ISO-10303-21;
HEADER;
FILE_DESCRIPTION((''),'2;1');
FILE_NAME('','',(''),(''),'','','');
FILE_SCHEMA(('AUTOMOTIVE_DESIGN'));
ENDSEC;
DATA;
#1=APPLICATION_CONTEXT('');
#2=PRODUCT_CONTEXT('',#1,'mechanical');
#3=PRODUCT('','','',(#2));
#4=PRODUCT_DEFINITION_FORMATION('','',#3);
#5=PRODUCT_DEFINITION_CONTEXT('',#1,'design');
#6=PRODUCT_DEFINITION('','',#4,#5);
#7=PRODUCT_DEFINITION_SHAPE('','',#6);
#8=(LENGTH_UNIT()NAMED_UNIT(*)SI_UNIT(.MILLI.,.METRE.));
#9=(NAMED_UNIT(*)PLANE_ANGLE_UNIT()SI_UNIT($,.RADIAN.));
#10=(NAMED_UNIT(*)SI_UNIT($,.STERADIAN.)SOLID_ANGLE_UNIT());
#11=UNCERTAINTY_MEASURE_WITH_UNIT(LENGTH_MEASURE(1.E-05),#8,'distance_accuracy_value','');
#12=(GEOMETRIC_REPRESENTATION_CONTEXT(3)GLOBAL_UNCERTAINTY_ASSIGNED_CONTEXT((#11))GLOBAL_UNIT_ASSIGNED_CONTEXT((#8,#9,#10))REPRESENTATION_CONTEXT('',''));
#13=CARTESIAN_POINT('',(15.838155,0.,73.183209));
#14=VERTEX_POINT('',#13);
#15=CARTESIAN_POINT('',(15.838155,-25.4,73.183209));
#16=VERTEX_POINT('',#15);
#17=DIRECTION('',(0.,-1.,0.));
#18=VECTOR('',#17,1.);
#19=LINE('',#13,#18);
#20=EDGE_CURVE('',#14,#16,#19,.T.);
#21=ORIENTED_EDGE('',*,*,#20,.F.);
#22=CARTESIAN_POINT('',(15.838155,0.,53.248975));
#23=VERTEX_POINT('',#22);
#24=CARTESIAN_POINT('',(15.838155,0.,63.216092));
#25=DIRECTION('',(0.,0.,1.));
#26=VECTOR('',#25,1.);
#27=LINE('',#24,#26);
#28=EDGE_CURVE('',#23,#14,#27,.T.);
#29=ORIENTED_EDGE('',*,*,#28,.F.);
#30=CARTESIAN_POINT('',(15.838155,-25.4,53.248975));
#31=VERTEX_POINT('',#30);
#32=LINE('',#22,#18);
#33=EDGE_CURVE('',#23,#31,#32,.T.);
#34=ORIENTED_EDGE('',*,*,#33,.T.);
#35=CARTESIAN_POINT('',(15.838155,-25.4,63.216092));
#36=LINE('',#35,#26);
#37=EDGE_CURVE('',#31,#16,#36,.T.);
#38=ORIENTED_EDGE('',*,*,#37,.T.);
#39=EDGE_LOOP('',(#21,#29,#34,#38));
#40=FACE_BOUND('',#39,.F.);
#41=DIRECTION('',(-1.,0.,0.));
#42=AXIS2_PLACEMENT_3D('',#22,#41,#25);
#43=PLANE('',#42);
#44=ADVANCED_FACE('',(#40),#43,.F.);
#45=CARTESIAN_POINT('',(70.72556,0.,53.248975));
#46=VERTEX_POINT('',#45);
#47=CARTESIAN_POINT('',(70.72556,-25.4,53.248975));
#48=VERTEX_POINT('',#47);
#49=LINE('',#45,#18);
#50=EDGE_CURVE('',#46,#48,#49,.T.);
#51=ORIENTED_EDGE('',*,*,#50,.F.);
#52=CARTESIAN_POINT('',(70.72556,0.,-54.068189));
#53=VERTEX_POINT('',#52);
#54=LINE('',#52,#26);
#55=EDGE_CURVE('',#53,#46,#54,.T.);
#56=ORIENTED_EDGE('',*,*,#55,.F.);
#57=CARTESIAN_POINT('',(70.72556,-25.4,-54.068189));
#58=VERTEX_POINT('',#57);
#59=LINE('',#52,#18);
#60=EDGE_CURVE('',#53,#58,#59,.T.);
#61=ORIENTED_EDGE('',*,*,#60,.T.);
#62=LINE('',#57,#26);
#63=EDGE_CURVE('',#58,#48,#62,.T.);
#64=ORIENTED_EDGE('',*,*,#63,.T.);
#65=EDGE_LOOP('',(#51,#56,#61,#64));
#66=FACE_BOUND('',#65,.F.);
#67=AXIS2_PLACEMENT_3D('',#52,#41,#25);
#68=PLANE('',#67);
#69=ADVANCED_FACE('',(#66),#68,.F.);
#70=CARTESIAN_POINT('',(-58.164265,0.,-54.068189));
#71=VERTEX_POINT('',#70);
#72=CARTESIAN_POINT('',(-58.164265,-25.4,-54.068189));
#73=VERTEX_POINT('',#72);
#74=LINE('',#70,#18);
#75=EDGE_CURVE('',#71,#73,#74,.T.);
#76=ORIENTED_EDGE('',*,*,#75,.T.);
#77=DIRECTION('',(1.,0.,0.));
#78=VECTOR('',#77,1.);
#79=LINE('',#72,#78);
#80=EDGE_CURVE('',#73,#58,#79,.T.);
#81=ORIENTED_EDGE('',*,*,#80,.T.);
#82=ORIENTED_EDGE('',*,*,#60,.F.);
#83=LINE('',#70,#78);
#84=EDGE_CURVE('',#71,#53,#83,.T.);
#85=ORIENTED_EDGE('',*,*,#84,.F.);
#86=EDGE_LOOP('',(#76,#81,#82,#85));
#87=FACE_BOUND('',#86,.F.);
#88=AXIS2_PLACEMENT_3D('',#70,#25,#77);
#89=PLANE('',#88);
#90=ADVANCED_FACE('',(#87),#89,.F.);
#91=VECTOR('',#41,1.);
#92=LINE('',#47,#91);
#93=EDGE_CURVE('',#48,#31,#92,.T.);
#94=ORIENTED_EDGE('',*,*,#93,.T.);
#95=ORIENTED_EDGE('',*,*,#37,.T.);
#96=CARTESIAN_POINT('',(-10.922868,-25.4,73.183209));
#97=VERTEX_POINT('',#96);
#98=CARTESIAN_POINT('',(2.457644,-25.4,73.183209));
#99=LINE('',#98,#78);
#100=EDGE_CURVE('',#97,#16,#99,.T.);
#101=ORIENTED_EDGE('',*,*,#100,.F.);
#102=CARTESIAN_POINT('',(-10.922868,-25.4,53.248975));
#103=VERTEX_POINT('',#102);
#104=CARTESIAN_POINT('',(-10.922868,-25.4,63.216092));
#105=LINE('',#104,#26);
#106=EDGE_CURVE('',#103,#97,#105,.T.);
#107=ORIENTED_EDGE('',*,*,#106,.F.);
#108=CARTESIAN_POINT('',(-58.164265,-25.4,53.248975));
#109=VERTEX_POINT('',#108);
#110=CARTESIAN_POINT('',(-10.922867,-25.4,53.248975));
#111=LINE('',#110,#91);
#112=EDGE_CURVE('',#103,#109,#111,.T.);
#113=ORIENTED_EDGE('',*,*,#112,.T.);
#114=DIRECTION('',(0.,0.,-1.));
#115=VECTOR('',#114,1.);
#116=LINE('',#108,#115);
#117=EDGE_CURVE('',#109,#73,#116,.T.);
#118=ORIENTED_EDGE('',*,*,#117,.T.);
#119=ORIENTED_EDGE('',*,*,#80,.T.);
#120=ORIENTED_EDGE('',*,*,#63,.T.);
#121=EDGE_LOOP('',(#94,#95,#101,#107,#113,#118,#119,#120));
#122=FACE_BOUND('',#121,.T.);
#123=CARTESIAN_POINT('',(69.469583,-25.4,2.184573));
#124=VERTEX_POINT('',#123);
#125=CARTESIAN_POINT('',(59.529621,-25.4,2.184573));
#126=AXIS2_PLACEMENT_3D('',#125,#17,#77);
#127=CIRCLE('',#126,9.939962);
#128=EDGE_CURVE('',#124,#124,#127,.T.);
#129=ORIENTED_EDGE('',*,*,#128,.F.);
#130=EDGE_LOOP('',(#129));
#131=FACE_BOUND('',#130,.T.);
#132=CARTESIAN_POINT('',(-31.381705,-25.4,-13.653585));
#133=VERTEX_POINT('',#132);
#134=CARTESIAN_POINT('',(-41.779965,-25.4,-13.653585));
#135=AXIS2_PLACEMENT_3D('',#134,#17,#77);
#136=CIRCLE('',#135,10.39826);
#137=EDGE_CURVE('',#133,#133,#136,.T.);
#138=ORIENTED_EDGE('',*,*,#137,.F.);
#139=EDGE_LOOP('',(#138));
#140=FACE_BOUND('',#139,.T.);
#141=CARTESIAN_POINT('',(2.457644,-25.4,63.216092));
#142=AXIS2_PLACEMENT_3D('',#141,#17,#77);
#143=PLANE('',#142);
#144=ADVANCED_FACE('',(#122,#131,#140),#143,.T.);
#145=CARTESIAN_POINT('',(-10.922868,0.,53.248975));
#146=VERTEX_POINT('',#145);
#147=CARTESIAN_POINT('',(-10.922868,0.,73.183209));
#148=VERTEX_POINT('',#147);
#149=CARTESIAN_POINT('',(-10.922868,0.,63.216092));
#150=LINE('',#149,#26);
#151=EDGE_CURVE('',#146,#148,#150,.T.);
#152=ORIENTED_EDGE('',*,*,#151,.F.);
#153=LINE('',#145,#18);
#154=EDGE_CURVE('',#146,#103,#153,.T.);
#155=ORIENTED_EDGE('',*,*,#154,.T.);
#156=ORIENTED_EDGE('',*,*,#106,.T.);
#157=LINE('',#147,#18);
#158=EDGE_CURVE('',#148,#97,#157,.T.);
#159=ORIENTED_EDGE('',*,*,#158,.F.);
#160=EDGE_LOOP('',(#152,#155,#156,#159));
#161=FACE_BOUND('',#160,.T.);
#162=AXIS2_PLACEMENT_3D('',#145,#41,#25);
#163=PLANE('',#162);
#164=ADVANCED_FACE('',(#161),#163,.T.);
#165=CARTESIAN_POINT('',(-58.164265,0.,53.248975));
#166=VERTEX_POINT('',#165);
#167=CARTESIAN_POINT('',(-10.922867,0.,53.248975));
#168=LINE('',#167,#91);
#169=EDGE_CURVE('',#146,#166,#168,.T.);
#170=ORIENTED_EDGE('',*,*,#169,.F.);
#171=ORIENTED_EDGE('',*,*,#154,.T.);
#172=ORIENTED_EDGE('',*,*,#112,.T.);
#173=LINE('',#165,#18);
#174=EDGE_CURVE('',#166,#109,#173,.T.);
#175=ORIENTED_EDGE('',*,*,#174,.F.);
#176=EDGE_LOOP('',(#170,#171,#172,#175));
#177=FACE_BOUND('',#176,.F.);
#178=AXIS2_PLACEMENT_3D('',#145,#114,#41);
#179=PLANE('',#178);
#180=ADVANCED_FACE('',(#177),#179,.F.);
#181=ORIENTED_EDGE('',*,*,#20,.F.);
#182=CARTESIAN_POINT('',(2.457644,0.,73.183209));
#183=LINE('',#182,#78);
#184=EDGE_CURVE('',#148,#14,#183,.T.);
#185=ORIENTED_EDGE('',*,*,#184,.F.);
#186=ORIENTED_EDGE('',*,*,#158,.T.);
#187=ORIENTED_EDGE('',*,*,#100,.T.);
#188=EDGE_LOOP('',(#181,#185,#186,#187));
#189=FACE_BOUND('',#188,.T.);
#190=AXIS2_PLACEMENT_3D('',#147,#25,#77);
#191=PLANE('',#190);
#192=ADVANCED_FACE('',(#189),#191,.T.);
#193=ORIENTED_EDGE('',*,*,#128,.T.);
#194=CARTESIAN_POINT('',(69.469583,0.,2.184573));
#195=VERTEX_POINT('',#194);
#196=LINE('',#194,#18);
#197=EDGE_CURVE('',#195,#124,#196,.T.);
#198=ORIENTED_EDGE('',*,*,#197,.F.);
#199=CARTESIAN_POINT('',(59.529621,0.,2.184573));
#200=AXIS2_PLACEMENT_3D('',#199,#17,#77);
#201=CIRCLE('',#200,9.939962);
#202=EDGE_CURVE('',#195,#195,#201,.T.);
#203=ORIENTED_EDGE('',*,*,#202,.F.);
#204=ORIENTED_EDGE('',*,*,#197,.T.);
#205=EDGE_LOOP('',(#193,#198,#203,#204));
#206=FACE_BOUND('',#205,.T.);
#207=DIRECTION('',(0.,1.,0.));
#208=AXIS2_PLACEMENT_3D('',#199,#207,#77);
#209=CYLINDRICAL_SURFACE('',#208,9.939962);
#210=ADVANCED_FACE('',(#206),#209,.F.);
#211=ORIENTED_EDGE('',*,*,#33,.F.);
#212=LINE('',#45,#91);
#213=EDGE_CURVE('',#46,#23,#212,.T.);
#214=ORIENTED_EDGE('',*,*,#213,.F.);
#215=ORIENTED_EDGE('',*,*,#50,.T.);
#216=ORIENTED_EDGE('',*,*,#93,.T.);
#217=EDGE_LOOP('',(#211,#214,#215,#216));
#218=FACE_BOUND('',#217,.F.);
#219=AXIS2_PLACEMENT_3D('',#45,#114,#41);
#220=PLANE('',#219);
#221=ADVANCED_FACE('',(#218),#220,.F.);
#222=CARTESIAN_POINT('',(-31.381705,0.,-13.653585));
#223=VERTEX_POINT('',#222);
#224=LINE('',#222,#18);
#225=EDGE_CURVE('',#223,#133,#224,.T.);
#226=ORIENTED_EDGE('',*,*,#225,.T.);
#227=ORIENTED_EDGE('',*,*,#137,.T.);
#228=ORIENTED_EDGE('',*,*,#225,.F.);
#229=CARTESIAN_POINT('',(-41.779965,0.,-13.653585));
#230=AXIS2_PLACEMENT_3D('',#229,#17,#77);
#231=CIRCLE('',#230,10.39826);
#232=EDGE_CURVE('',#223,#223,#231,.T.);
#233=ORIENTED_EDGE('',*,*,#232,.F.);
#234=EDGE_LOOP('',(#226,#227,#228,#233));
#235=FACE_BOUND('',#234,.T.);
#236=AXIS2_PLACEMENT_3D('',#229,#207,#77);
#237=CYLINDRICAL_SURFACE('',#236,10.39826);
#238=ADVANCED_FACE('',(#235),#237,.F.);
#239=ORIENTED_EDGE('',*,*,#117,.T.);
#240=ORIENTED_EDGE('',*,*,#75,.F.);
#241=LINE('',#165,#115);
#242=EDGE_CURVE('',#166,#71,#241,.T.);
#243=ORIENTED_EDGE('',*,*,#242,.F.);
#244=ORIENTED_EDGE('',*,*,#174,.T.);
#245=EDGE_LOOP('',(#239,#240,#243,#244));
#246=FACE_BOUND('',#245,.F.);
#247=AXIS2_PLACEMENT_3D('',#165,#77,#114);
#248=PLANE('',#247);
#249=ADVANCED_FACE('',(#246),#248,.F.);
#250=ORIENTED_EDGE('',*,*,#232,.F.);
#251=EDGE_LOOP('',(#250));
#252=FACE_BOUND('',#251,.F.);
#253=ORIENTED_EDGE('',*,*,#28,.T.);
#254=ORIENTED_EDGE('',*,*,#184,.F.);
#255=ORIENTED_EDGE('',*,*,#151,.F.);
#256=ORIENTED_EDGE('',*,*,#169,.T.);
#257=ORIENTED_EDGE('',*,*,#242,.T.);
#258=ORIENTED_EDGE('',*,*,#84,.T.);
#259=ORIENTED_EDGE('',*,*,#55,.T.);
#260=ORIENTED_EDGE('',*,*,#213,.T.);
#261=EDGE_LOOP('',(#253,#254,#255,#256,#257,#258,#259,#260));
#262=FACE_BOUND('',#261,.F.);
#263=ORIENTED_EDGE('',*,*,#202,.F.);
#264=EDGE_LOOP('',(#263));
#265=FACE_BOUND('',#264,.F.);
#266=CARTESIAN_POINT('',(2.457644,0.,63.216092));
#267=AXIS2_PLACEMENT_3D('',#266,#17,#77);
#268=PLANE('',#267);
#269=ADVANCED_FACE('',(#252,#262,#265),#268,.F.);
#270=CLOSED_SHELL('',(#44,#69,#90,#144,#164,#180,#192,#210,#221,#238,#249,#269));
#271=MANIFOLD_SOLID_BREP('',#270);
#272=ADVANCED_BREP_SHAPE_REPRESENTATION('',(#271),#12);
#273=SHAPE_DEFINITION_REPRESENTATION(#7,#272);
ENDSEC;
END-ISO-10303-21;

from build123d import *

# Parameters (mm, degrees)
F0_W     = 26.761023
F0_H     = 19.934234
F0_R     = 10.39826
F0_R_2   = 9.939962
F1_DEPTH = 25.4


with BuildPart() as f1:
    # F0 (on Front) → F1 (new body)
    with BuildSketch(Plane.XZ):
        with Locations((2.457644, 63.216092)):
            Rectangle(F0_W, F0_H)
        Polygon((-58.164265, 53.248975), (-58.164265, -54.068189), (70.72556, -54.068189), (70.72556, 53.248975), (15.838156, 53.248975), (-10.922867, 53.248975), align=None)
        with Locations((-41.779965, -13.653585)):
            Circle(F0_R, mode=Mode.SUBTRACT)
        with Locations((59.529621, 2.184573)):
            Circle(F0_R_2, mode=Mode.SUBTRACT)
    extrude(amount=F1_DEPTH)


solid = f1.part
